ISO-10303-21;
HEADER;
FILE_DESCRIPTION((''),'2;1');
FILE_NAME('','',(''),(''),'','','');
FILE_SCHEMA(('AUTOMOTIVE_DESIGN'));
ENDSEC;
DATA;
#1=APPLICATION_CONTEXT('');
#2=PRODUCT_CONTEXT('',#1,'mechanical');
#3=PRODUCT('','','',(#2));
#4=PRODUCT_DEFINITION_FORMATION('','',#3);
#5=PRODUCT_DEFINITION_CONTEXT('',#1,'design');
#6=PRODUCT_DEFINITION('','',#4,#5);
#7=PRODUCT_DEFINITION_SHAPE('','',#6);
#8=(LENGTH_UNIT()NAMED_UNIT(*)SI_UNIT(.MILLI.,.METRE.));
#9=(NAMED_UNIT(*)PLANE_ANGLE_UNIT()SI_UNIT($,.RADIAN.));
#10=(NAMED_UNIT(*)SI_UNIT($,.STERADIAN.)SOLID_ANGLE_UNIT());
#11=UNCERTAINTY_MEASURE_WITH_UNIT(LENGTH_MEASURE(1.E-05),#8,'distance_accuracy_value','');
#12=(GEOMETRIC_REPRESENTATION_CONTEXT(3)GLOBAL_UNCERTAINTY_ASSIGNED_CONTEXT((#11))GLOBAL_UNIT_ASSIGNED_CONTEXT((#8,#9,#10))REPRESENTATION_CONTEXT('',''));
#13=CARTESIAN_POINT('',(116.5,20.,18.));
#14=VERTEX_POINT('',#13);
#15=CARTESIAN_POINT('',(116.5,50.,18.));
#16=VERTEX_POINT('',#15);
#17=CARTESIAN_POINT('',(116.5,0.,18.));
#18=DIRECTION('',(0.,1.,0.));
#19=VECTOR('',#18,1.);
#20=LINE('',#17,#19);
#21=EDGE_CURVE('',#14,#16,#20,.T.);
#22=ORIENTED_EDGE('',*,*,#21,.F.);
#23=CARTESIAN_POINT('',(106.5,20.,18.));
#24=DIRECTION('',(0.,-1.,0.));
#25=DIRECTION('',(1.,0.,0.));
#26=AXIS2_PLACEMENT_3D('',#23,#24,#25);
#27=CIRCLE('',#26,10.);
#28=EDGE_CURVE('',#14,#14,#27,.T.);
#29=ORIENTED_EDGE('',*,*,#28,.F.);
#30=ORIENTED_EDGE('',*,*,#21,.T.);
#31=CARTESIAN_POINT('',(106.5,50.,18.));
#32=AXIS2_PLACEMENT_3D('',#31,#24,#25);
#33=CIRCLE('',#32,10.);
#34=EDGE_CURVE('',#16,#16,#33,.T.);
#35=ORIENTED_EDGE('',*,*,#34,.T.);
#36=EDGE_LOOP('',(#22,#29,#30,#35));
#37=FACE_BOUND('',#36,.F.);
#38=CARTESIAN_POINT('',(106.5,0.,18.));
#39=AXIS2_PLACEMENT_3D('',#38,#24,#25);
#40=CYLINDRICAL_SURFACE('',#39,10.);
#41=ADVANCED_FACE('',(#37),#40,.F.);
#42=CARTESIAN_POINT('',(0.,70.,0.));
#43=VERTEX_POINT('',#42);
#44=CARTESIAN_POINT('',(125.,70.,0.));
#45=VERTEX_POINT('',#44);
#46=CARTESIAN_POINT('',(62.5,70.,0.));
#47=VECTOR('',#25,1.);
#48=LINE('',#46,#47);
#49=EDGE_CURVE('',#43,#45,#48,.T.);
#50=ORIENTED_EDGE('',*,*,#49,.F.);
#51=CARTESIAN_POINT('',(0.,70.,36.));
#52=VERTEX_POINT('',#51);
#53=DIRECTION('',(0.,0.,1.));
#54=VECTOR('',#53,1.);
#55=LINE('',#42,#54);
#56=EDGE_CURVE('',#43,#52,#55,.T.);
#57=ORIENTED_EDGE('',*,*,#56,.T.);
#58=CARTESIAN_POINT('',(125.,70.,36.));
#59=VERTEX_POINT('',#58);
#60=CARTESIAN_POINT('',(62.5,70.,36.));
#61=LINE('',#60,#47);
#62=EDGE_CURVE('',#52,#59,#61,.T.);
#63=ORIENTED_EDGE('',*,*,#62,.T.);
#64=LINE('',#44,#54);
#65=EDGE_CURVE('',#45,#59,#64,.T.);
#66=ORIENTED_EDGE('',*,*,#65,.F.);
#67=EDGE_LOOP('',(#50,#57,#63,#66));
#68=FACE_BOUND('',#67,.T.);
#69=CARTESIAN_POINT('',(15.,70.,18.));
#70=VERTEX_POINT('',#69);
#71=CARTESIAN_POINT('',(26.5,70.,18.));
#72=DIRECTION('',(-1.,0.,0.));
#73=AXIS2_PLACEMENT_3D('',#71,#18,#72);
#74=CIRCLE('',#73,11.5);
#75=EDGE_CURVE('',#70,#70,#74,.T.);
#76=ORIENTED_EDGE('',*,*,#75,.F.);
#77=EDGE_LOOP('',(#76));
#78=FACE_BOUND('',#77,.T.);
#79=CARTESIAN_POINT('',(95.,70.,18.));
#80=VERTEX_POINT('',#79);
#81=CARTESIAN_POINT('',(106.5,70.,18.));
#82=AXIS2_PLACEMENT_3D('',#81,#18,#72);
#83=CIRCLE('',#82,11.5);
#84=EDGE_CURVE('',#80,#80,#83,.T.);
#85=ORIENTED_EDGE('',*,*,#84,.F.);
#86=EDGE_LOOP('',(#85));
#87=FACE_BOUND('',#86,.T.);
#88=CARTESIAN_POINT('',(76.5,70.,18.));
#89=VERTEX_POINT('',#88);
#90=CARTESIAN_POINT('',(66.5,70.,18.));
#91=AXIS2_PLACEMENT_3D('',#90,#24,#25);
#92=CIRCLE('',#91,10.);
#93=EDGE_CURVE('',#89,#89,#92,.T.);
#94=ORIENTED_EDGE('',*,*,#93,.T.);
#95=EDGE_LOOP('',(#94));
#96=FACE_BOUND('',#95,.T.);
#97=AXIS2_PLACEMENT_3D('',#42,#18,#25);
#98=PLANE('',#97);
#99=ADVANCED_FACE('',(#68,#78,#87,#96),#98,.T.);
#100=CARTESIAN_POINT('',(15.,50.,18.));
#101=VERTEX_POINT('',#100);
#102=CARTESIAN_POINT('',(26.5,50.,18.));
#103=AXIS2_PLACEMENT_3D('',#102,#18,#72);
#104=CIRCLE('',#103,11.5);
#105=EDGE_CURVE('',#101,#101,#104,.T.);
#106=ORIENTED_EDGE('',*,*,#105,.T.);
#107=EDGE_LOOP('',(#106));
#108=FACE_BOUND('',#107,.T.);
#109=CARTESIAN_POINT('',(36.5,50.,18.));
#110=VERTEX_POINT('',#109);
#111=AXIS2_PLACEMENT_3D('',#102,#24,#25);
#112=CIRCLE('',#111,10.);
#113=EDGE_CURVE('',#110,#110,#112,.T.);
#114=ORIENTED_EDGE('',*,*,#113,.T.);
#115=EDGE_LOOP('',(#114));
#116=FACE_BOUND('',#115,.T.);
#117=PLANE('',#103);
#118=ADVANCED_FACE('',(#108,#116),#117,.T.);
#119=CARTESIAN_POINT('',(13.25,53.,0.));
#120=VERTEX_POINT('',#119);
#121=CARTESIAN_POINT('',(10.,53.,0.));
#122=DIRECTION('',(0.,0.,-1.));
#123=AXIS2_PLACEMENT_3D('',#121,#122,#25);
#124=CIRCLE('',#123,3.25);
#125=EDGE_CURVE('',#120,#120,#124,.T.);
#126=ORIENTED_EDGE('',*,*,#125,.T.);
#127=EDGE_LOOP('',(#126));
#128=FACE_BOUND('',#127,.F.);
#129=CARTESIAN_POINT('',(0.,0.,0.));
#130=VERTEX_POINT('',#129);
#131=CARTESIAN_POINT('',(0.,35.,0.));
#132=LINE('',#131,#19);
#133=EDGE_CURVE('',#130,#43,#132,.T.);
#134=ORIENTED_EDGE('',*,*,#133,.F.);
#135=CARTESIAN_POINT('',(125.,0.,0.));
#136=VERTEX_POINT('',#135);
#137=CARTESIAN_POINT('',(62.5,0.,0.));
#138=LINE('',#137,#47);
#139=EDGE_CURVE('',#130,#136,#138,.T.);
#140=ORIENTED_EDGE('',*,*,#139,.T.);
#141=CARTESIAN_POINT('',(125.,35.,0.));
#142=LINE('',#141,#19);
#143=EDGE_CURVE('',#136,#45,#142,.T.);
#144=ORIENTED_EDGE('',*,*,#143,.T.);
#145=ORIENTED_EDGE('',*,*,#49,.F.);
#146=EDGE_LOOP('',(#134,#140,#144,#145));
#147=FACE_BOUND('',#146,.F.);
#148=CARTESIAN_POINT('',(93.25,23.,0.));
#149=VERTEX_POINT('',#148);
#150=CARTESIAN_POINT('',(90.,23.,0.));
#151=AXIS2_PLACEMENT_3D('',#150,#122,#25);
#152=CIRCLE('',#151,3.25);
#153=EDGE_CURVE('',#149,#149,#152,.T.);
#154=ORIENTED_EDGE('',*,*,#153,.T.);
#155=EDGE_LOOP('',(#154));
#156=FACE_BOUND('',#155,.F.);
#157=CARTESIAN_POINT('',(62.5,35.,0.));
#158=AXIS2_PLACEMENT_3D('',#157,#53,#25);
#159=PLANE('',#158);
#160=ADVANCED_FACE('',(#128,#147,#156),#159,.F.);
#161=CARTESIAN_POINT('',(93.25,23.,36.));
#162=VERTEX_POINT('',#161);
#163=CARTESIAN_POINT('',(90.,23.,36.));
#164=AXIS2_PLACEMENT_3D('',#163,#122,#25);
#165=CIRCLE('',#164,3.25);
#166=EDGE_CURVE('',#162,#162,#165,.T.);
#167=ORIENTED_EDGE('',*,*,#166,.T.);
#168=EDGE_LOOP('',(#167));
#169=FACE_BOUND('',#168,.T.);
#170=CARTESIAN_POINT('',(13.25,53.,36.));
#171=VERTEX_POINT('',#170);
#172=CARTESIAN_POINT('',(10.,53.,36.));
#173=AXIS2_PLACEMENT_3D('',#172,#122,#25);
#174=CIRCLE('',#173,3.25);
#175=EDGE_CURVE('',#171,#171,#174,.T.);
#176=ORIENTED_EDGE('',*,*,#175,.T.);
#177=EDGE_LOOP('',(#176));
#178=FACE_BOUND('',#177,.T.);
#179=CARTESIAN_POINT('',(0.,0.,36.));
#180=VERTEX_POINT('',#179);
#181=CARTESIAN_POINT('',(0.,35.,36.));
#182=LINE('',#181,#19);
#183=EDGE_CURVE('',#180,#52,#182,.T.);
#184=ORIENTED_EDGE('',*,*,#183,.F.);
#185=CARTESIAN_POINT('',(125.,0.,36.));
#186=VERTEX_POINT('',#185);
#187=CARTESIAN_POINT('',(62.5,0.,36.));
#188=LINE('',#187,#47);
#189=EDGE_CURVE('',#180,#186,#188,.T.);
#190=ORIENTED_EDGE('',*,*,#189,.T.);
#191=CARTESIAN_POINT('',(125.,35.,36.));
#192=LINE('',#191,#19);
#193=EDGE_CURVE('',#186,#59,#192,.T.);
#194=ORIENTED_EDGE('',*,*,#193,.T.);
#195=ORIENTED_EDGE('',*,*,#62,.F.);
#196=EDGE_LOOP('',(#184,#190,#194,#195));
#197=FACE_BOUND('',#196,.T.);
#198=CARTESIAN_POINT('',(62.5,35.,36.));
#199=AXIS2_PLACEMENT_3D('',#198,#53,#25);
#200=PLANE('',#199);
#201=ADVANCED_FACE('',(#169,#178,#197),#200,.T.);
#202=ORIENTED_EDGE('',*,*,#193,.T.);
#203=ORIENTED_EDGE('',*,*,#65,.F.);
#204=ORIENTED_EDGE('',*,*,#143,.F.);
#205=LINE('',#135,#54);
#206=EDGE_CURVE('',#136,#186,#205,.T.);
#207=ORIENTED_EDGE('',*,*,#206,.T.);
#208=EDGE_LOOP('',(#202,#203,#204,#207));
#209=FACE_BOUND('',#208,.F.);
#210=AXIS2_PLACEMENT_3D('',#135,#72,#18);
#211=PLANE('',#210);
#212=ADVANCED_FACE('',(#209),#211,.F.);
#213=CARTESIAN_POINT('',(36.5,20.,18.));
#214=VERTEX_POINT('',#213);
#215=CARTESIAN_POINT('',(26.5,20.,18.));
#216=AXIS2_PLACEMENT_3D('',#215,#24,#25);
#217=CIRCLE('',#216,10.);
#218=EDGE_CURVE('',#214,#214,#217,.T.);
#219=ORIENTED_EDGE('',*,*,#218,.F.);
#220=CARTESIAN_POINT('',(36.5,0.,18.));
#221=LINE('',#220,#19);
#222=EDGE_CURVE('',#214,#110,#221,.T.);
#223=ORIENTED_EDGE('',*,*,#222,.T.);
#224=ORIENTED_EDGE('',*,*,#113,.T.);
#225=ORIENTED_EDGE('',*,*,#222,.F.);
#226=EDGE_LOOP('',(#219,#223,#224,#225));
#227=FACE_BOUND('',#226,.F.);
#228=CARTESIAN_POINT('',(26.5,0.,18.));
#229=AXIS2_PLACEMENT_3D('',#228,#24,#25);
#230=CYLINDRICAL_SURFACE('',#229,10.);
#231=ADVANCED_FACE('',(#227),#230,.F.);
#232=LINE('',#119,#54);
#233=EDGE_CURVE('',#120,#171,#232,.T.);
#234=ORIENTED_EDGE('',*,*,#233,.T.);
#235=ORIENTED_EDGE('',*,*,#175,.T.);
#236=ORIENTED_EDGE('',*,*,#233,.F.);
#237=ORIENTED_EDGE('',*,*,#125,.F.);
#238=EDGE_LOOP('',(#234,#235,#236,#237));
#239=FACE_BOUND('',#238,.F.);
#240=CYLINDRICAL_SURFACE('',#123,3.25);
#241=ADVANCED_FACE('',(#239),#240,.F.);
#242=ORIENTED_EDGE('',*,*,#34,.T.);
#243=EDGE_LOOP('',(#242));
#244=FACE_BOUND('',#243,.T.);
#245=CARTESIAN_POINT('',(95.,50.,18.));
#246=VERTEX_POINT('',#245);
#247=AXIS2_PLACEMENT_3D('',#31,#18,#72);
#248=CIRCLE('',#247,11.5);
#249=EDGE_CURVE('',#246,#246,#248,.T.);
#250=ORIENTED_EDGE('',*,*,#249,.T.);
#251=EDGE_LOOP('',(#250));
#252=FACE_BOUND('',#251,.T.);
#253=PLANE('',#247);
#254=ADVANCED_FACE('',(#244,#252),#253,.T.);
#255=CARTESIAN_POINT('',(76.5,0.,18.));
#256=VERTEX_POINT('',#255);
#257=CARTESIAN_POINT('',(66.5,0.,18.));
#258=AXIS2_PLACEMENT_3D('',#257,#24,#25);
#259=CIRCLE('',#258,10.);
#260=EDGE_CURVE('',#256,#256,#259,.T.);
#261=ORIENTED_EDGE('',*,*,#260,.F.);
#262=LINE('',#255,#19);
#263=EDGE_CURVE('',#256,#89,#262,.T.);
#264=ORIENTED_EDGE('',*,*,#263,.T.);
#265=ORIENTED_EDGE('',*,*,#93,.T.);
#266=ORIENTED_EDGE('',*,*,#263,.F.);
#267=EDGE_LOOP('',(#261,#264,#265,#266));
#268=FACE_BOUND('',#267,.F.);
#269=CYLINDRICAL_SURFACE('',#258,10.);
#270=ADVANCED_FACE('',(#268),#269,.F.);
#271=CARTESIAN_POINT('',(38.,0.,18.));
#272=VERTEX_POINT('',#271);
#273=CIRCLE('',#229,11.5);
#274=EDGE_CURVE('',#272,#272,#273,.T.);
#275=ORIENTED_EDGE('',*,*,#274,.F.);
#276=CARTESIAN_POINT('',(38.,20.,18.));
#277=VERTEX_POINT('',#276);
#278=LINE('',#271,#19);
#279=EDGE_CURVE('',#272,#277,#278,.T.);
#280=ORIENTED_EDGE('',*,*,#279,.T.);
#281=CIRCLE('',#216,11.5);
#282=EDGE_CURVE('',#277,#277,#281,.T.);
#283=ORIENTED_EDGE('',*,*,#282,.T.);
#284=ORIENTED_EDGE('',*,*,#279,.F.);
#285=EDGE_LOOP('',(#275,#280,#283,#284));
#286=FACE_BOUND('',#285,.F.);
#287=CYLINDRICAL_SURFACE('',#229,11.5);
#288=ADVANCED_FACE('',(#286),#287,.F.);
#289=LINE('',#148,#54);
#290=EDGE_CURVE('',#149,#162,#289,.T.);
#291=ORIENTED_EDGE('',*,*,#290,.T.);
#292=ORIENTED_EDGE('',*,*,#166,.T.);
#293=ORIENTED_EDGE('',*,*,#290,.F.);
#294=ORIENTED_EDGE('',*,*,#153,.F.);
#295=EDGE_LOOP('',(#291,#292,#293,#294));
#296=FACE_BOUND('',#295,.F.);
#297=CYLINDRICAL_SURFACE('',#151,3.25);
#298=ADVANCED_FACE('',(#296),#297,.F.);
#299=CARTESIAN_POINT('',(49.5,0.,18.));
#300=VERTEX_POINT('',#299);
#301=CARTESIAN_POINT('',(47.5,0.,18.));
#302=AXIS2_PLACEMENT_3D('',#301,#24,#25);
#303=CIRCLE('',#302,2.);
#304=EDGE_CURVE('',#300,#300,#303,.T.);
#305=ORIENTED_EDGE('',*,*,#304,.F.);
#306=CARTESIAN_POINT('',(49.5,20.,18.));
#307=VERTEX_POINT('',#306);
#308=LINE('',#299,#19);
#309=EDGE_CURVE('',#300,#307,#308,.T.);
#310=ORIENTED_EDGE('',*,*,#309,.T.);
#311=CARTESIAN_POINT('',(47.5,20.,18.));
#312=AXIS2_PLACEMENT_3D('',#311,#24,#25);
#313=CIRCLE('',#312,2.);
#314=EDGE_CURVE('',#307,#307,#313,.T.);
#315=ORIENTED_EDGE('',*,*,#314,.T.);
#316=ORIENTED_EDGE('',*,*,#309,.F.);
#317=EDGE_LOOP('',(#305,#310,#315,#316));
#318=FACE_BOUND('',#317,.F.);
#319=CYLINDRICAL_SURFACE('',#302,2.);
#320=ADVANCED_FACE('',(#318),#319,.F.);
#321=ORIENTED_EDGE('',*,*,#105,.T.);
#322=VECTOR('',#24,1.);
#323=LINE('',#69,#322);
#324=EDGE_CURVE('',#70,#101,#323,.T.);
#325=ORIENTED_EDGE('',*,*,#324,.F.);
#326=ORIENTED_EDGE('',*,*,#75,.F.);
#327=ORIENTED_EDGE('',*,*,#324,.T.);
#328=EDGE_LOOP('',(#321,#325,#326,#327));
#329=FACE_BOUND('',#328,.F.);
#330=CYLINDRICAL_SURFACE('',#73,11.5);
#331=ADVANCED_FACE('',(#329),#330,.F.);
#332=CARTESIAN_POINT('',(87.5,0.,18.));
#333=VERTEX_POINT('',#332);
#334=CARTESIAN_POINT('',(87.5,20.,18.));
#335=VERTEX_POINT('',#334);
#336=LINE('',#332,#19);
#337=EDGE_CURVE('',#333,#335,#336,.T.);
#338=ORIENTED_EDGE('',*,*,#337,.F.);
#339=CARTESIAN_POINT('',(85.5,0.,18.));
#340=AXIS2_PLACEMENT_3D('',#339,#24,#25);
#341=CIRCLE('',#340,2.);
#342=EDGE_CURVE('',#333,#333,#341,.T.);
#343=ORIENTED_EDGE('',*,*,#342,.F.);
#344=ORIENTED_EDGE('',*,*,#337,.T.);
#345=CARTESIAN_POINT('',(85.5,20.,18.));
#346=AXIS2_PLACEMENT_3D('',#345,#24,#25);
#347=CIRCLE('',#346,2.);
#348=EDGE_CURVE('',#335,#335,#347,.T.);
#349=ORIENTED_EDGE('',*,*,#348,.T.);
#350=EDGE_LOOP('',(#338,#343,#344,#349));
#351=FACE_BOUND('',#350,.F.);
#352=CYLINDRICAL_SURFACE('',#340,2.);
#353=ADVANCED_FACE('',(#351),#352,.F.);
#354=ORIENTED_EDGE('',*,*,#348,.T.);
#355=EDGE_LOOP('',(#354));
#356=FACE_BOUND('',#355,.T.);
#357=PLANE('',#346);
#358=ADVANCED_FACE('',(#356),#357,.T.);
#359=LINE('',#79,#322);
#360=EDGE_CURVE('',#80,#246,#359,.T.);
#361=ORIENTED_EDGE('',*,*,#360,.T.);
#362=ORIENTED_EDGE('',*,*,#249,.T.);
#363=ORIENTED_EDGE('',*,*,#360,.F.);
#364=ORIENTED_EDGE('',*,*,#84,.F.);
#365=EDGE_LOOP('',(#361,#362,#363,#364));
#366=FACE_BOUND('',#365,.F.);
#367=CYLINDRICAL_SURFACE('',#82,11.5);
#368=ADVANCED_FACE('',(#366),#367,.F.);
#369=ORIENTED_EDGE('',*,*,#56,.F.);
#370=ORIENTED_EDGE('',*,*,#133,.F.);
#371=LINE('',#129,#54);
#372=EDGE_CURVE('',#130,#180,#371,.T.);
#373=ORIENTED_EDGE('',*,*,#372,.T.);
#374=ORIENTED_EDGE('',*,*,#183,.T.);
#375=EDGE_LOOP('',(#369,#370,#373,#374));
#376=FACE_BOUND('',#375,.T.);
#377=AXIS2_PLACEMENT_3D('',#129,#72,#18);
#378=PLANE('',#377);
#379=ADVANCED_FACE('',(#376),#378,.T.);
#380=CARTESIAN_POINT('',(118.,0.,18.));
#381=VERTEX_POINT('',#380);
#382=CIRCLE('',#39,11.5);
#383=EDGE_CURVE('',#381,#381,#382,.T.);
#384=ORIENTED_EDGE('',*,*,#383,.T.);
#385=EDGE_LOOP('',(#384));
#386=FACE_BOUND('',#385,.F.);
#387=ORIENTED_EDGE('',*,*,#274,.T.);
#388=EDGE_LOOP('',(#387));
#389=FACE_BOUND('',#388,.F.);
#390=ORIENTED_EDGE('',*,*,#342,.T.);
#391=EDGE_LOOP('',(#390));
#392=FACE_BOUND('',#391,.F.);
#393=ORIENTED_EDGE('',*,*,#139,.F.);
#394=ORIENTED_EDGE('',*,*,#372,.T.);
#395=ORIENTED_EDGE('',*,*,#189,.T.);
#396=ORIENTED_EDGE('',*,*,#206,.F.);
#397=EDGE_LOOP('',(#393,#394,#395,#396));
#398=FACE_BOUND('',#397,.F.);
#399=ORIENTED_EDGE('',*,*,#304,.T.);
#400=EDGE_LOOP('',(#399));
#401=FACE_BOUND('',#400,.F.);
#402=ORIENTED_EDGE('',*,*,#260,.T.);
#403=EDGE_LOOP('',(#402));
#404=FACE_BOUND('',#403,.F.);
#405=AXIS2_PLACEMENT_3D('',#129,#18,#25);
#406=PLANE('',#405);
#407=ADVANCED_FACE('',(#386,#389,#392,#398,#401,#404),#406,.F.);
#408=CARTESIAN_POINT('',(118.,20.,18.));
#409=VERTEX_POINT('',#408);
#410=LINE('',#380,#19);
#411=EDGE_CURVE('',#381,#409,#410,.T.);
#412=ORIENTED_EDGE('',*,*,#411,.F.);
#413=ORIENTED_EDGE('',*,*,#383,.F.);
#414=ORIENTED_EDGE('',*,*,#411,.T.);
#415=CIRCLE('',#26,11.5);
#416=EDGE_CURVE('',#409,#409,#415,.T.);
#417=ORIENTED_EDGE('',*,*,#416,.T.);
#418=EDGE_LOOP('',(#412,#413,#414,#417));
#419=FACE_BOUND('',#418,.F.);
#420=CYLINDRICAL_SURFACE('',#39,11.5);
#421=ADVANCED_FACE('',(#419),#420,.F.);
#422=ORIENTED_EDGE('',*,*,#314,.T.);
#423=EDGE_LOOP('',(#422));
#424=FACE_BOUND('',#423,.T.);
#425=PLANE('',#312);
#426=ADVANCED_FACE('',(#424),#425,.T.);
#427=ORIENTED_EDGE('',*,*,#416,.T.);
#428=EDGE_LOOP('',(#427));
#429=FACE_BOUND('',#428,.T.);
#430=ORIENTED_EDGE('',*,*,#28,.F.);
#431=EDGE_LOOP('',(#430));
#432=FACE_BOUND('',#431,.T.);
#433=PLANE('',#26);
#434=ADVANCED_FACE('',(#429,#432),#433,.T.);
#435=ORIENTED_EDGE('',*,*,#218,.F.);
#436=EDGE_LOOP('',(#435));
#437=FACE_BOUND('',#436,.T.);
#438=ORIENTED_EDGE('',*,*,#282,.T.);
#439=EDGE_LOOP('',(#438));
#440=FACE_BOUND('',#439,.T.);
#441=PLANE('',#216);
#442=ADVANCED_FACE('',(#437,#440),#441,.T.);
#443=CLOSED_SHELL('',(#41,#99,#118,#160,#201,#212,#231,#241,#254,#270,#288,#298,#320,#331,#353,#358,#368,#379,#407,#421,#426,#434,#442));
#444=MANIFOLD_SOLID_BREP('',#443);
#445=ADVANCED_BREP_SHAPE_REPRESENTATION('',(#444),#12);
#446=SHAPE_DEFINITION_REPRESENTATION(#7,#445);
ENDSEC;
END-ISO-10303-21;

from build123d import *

# Parameters (mm, degrees)
F0_W      = 125
F0_H      = 70
F1_DEPTH  = 36
F2_R      = 10
F3_DEPTH  = 70.001
F4_R      = 11.5
F5_DEPTH  = 20
F6_R      = 11.5
F7_DEPTH  = 20
F8_R      = 3.25
F8_R_2    = 12.900097
F9_DEPTH  = 36.001
F10_R     = 2
F11_DEPTH = 20


with BuildPart() as f1:
    # F0 (on Top) → F1 (new body)
    with BuildSketch(Plane.XY):
        with Locations((62.5, 35)):
            Rectangle(F0_W, F0_H)
    extrude(amount=F1_DEPTH)

    # F2 (on face) → F3 (cut, through all)
    with BuildSketch(Plane.XZ):
        with Locations((26.5, 18)):
            Circle(F2_R)
        with Locations((66.5, 18)):
            Circle(F2_R)
        with Locations((106.5, 18)):
            Circle(F2_R)
    extrude(amount=-F3_DEPTH, mode=Mode.SUBTRACT)

    # F4 (on face) → F5 (cut)
    with BuildSketch(Plane.XZ):
        with Locations((26.5, 18)):
            Circle(F4_R)
        with Locations((106.5, 18)):
            Circle(F4_R)
    extrude(amount=-F5_DEPTH, mode=Mode.SUBTRACT)

    # F6 (on face) → F7 (cut)
    with BuildSketch(Plane(origin=(0, 70, 0), x_dir=(-1, 0, 0), z_dir=(0, 1, 0))):
        with Locations((-106.5, 18)):
            Circle(F6_R)
        with Locations((-26.5, 18)):
            Circle(F6_R)
    extrude(amount=-F7_DEPTH, mode=Mode.SUBTRACT)

    # F8 (on face) → F9 (cut, through all)
    with BuildSketch(Plane(origin=(0, 0, 0), x_dir=(1, 0, 0), z_dir=(0, 0, -1))):
        with Locations((90, -23)):
            Circle(F8_R)
        with Locations((125.049993, 12.9)):
            Circle(F8_R_2)
        with Locations((10, -53)):
            Circle(F8_R)
    extrude(amount=-F9_DEPTH, mode=Mode.SUBTRACT)

    # F10 (on face) → F11 (cut)
    with BuildSketch(Plane.XZ):
        with Locations((47.5, 18)):
            Circle(F10_R)
        with Locations((85.5, 18)):
            Circle(F10_R)
    extrude(amount=-F11_DEPTH, mode=Mode.SUBTRACT)


solid = f1.part
